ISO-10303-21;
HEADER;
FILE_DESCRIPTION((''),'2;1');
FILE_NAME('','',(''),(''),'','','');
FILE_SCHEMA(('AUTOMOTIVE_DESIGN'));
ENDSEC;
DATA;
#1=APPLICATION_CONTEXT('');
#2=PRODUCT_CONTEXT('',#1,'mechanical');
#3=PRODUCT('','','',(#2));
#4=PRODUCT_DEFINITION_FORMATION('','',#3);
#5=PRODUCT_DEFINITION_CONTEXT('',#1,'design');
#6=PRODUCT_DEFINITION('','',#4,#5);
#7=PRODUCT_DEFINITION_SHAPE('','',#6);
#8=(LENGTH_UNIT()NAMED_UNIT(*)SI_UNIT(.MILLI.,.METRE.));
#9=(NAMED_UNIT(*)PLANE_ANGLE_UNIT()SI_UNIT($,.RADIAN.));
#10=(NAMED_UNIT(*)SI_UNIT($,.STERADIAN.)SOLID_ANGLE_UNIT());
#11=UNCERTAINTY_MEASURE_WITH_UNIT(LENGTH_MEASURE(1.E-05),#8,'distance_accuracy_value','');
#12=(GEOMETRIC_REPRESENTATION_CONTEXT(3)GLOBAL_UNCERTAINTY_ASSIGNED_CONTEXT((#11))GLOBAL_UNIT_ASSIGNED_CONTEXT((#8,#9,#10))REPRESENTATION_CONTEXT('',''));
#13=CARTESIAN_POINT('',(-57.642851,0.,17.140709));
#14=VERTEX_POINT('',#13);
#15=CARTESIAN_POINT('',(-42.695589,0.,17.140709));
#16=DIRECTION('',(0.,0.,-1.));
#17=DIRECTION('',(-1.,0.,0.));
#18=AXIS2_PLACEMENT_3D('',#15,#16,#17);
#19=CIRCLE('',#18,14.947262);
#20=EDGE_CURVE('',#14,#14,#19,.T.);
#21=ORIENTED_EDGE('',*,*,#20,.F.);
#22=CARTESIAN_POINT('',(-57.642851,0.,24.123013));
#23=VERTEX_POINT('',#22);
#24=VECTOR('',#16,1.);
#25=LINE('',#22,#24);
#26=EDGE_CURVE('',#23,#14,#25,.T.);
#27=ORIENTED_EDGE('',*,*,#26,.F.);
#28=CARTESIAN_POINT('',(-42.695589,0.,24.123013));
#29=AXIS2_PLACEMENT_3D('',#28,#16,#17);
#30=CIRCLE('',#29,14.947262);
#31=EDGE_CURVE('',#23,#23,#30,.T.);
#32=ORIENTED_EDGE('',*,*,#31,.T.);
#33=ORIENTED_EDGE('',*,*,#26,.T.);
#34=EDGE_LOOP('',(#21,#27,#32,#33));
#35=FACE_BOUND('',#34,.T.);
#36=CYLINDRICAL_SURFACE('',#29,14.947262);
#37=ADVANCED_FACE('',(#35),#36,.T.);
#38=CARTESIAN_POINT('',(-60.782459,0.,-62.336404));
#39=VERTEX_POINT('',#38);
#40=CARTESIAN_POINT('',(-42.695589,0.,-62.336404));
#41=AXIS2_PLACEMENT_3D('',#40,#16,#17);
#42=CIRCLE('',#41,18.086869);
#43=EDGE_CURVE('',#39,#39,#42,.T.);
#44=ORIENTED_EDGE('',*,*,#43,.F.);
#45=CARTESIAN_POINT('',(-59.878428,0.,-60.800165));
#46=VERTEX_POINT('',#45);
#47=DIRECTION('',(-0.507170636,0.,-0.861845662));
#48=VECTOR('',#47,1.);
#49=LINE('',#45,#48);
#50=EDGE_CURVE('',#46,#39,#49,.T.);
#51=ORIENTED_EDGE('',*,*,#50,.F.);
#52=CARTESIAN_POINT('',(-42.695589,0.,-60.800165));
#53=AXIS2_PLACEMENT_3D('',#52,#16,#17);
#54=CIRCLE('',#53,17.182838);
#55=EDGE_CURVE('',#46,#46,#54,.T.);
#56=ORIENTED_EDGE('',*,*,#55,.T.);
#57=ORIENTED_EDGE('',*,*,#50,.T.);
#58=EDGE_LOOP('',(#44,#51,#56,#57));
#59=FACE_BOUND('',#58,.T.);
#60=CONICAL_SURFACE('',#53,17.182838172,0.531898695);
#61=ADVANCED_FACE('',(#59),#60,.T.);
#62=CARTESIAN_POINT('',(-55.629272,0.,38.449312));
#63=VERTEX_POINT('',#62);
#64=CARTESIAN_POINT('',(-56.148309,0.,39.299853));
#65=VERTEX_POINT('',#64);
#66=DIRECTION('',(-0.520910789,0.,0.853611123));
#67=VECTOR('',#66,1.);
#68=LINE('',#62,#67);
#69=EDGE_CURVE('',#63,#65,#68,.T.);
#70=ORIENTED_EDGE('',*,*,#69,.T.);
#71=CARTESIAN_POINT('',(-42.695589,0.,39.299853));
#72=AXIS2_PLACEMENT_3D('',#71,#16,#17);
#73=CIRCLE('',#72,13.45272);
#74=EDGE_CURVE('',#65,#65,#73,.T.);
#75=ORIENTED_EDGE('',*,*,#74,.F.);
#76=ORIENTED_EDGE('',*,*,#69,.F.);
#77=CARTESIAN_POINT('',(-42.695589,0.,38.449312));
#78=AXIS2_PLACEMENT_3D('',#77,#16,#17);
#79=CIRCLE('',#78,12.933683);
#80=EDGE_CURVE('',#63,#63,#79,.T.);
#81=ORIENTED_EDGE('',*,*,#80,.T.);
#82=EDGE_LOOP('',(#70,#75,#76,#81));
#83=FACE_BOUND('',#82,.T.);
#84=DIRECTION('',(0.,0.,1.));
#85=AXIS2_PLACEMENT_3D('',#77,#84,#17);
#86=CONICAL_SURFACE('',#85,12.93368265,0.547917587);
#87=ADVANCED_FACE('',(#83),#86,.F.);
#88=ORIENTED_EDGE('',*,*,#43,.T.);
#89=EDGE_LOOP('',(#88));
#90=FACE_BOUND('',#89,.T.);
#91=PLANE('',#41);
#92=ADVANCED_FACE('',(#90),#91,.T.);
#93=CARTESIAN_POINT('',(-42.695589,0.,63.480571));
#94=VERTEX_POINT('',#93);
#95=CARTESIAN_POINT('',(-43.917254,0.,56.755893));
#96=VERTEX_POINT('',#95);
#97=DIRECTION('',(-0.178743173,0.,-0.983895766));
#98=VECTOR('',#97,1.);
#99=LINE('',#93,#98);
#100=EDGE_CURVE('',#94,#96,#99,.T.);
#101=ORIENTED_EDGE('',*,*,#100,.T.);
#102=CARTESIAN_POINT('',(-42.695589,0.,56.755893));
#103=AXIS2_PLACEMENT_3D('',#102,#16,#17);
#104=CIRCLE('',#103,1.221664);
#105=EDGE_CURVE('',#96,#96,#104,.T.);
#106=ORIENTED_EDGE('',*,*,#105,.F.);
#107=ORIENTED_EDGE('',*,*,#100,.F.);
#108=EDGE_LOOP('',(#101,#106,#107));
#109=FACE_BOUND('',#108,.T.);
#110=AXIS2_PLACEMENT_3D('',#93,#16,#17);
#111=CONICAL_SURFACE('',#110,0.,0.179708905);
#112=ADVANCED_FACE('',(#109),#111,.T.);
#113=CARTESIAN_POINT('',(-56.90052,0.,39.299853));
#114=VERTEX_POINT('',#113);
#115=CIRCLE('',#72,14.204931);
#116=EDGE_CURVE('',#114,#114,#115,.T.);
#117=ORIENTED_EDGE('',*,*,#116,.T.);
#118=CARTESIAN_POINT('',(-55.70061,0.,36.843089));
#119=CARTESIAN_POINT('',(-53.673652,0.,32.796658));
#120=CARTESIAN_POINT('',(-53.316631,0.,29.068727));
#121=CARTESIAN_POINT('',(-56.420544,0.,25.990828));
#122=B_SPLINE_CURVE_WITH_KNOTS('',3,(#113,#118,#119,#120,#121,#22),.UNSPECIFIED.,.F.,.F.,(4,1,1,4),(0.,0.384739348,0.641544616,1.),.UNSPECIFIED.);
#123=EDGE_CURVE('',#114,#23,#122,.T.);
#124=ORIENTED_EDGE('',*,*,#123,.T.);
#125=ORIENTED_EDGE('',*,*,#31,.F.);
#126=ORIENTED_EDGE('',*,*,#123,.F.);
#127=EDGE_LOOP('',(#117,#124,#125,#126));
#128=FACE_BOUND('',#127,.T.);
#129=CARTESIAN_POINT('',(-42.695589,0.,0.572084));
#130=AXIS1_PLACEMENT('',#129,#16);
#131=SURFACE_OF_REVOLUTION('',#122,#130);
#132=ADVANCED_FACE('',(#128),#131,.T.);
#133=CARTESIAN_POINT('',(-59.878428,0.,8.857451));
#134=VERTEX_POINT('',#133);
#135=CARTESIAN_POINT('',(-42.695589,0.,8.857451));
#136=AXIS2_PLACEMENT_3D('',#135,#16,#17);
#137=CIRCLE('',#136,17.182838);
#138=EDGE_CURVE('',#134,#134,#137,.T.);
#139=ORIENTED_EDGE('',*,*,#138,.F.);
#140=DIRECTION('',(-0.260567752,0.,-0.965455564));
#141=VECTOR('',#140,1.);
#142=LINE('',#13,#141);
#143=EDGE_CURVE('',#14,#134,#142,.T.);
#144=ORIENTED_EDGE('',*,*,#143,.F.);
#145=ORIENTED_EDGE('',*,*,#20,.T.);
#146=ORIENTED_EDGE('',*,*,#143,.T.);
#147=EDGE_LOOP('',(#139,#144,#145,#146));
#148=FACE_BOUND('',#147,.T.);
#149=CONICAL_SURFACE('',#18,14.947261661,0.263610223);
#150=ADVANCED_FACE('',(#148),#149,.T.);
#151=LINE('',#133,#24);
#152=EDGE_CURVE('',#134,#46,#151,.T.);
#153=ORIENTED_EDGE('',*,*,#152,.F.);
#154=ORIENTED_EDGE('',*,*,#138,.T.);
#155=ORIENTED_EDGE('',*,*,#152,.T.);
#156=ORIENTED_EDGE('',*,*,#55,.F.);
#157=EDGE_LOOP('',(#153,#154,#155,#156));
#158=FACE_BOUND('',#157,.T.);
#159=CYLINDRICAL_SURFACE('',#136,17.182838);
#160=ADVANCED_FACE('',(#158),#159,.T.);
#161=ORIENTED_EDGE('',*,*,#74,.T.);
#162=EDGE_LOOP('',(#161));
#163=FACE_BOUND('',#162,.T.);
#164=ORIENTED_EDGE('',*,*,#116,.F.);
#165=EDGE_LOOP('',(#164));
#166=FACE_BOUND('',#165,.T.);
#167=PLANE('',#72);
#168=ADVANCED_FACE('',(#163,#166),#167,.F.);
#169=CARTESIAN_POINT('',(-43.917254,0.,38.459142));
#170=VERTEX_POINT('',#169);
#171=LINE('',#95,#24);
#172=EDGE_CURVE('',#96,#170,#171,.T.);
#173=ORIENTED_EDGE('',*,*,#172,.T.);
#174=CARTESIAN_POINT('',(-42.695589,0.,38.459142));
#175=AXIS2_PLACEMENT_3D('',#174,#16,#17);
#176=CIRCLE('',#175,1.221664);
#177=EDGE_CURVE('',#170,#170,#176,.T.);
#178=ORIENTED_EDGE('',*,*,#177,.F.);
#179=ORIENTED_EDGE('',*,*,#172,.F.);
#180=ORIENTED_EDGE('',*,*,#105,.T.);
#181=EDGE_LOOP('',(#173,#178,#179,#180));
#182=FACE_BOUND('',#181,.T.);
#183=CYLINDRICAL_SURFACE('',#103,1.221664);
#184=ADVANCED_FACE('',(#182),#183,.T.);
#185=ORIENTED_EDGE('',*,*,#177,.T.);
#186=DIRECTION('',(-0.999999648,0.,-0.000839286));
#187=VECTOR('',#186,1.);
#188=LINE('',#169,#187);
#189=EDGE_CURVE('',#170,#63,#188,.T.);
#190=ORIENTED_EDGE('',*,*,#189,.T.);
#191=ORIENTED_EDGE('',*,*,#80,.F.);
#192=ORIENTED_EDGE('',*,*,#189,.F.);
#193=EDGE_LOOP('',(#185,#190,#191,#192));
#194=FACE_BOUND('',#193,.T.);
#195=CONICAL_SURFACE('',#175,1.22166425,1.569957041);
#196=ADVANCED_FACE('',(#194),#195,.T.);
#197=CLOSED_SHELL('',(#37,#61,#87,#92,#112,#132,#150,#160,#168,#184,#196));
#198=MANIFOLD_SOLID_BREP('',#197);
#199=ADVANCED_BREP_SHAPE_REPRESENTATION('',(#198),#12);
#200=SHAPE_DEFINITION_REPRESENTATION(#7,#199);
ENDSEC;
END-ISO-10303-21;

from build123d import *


with BuildPart() as f1:
    # F0 (on Front) → F1 (revolve)
    with BuildSketch(Plane.XZ):
        with BuildLine():
            Line((-42.6955893636, -62.3364038765), (-42.6955893636, 63.4805709124))
            Line((-42.6955893636, 63.4805709124), (-43.9172536135, 56.7558929324))
            Line((-43.9172536135, 56.7558929324), (-43.9172536135, 38.4591419091))
            Line((-43.9172536135, 38.4591419091), (-55.6292720139, 38.4493121774))
            Line((-55.6292720139, 38.4493121774), (-56.1483092606, 39.2998531461))
            Line((-56.1483092606, 39.2998531461), (-56.9005198777, 39.2998531461))
            add(Edge.make_bspline(
                [(-56.9005198777, 39.2998531461), (-55.7006097782, 36.8430891328), (-53.6736517969, 32.7966584836), (-53.3166311127, 29.068726902), (-56.4205440362, 25.9908277668), (-57.6428510249, 24.1230130196)],
                knots=[0, 0, 0, 0, 0.3847393478, 0.6415446163, 1, 1, 1, 1], degree=3))
            Line((-57.6428510249, 24.1230130196), (-57.6428510249, 17.1407088021))
            Line((-57.6428510249, 17.1407088021), (-59.8784275353, 8.8574513176))
            Line((-59.8784275353, 8.8574513176), (-59.8784275353, -60.800164938))
            Line((-59.8784275353, -60.800164938), (-60.7824586332, -62.3364038765))
            Line((-60.7824586332, -62.3364038765), (-60.7765093446, -62.3364038765))
            Line((-60.7765093446, -62.3364038765), (-42.6955893636, -62.3364038765))
        make_face()
    revolve(axis=Axis((-42.6955893636, 0, 0.5720835179), (0, 0, -1)))


solid = f1.part
